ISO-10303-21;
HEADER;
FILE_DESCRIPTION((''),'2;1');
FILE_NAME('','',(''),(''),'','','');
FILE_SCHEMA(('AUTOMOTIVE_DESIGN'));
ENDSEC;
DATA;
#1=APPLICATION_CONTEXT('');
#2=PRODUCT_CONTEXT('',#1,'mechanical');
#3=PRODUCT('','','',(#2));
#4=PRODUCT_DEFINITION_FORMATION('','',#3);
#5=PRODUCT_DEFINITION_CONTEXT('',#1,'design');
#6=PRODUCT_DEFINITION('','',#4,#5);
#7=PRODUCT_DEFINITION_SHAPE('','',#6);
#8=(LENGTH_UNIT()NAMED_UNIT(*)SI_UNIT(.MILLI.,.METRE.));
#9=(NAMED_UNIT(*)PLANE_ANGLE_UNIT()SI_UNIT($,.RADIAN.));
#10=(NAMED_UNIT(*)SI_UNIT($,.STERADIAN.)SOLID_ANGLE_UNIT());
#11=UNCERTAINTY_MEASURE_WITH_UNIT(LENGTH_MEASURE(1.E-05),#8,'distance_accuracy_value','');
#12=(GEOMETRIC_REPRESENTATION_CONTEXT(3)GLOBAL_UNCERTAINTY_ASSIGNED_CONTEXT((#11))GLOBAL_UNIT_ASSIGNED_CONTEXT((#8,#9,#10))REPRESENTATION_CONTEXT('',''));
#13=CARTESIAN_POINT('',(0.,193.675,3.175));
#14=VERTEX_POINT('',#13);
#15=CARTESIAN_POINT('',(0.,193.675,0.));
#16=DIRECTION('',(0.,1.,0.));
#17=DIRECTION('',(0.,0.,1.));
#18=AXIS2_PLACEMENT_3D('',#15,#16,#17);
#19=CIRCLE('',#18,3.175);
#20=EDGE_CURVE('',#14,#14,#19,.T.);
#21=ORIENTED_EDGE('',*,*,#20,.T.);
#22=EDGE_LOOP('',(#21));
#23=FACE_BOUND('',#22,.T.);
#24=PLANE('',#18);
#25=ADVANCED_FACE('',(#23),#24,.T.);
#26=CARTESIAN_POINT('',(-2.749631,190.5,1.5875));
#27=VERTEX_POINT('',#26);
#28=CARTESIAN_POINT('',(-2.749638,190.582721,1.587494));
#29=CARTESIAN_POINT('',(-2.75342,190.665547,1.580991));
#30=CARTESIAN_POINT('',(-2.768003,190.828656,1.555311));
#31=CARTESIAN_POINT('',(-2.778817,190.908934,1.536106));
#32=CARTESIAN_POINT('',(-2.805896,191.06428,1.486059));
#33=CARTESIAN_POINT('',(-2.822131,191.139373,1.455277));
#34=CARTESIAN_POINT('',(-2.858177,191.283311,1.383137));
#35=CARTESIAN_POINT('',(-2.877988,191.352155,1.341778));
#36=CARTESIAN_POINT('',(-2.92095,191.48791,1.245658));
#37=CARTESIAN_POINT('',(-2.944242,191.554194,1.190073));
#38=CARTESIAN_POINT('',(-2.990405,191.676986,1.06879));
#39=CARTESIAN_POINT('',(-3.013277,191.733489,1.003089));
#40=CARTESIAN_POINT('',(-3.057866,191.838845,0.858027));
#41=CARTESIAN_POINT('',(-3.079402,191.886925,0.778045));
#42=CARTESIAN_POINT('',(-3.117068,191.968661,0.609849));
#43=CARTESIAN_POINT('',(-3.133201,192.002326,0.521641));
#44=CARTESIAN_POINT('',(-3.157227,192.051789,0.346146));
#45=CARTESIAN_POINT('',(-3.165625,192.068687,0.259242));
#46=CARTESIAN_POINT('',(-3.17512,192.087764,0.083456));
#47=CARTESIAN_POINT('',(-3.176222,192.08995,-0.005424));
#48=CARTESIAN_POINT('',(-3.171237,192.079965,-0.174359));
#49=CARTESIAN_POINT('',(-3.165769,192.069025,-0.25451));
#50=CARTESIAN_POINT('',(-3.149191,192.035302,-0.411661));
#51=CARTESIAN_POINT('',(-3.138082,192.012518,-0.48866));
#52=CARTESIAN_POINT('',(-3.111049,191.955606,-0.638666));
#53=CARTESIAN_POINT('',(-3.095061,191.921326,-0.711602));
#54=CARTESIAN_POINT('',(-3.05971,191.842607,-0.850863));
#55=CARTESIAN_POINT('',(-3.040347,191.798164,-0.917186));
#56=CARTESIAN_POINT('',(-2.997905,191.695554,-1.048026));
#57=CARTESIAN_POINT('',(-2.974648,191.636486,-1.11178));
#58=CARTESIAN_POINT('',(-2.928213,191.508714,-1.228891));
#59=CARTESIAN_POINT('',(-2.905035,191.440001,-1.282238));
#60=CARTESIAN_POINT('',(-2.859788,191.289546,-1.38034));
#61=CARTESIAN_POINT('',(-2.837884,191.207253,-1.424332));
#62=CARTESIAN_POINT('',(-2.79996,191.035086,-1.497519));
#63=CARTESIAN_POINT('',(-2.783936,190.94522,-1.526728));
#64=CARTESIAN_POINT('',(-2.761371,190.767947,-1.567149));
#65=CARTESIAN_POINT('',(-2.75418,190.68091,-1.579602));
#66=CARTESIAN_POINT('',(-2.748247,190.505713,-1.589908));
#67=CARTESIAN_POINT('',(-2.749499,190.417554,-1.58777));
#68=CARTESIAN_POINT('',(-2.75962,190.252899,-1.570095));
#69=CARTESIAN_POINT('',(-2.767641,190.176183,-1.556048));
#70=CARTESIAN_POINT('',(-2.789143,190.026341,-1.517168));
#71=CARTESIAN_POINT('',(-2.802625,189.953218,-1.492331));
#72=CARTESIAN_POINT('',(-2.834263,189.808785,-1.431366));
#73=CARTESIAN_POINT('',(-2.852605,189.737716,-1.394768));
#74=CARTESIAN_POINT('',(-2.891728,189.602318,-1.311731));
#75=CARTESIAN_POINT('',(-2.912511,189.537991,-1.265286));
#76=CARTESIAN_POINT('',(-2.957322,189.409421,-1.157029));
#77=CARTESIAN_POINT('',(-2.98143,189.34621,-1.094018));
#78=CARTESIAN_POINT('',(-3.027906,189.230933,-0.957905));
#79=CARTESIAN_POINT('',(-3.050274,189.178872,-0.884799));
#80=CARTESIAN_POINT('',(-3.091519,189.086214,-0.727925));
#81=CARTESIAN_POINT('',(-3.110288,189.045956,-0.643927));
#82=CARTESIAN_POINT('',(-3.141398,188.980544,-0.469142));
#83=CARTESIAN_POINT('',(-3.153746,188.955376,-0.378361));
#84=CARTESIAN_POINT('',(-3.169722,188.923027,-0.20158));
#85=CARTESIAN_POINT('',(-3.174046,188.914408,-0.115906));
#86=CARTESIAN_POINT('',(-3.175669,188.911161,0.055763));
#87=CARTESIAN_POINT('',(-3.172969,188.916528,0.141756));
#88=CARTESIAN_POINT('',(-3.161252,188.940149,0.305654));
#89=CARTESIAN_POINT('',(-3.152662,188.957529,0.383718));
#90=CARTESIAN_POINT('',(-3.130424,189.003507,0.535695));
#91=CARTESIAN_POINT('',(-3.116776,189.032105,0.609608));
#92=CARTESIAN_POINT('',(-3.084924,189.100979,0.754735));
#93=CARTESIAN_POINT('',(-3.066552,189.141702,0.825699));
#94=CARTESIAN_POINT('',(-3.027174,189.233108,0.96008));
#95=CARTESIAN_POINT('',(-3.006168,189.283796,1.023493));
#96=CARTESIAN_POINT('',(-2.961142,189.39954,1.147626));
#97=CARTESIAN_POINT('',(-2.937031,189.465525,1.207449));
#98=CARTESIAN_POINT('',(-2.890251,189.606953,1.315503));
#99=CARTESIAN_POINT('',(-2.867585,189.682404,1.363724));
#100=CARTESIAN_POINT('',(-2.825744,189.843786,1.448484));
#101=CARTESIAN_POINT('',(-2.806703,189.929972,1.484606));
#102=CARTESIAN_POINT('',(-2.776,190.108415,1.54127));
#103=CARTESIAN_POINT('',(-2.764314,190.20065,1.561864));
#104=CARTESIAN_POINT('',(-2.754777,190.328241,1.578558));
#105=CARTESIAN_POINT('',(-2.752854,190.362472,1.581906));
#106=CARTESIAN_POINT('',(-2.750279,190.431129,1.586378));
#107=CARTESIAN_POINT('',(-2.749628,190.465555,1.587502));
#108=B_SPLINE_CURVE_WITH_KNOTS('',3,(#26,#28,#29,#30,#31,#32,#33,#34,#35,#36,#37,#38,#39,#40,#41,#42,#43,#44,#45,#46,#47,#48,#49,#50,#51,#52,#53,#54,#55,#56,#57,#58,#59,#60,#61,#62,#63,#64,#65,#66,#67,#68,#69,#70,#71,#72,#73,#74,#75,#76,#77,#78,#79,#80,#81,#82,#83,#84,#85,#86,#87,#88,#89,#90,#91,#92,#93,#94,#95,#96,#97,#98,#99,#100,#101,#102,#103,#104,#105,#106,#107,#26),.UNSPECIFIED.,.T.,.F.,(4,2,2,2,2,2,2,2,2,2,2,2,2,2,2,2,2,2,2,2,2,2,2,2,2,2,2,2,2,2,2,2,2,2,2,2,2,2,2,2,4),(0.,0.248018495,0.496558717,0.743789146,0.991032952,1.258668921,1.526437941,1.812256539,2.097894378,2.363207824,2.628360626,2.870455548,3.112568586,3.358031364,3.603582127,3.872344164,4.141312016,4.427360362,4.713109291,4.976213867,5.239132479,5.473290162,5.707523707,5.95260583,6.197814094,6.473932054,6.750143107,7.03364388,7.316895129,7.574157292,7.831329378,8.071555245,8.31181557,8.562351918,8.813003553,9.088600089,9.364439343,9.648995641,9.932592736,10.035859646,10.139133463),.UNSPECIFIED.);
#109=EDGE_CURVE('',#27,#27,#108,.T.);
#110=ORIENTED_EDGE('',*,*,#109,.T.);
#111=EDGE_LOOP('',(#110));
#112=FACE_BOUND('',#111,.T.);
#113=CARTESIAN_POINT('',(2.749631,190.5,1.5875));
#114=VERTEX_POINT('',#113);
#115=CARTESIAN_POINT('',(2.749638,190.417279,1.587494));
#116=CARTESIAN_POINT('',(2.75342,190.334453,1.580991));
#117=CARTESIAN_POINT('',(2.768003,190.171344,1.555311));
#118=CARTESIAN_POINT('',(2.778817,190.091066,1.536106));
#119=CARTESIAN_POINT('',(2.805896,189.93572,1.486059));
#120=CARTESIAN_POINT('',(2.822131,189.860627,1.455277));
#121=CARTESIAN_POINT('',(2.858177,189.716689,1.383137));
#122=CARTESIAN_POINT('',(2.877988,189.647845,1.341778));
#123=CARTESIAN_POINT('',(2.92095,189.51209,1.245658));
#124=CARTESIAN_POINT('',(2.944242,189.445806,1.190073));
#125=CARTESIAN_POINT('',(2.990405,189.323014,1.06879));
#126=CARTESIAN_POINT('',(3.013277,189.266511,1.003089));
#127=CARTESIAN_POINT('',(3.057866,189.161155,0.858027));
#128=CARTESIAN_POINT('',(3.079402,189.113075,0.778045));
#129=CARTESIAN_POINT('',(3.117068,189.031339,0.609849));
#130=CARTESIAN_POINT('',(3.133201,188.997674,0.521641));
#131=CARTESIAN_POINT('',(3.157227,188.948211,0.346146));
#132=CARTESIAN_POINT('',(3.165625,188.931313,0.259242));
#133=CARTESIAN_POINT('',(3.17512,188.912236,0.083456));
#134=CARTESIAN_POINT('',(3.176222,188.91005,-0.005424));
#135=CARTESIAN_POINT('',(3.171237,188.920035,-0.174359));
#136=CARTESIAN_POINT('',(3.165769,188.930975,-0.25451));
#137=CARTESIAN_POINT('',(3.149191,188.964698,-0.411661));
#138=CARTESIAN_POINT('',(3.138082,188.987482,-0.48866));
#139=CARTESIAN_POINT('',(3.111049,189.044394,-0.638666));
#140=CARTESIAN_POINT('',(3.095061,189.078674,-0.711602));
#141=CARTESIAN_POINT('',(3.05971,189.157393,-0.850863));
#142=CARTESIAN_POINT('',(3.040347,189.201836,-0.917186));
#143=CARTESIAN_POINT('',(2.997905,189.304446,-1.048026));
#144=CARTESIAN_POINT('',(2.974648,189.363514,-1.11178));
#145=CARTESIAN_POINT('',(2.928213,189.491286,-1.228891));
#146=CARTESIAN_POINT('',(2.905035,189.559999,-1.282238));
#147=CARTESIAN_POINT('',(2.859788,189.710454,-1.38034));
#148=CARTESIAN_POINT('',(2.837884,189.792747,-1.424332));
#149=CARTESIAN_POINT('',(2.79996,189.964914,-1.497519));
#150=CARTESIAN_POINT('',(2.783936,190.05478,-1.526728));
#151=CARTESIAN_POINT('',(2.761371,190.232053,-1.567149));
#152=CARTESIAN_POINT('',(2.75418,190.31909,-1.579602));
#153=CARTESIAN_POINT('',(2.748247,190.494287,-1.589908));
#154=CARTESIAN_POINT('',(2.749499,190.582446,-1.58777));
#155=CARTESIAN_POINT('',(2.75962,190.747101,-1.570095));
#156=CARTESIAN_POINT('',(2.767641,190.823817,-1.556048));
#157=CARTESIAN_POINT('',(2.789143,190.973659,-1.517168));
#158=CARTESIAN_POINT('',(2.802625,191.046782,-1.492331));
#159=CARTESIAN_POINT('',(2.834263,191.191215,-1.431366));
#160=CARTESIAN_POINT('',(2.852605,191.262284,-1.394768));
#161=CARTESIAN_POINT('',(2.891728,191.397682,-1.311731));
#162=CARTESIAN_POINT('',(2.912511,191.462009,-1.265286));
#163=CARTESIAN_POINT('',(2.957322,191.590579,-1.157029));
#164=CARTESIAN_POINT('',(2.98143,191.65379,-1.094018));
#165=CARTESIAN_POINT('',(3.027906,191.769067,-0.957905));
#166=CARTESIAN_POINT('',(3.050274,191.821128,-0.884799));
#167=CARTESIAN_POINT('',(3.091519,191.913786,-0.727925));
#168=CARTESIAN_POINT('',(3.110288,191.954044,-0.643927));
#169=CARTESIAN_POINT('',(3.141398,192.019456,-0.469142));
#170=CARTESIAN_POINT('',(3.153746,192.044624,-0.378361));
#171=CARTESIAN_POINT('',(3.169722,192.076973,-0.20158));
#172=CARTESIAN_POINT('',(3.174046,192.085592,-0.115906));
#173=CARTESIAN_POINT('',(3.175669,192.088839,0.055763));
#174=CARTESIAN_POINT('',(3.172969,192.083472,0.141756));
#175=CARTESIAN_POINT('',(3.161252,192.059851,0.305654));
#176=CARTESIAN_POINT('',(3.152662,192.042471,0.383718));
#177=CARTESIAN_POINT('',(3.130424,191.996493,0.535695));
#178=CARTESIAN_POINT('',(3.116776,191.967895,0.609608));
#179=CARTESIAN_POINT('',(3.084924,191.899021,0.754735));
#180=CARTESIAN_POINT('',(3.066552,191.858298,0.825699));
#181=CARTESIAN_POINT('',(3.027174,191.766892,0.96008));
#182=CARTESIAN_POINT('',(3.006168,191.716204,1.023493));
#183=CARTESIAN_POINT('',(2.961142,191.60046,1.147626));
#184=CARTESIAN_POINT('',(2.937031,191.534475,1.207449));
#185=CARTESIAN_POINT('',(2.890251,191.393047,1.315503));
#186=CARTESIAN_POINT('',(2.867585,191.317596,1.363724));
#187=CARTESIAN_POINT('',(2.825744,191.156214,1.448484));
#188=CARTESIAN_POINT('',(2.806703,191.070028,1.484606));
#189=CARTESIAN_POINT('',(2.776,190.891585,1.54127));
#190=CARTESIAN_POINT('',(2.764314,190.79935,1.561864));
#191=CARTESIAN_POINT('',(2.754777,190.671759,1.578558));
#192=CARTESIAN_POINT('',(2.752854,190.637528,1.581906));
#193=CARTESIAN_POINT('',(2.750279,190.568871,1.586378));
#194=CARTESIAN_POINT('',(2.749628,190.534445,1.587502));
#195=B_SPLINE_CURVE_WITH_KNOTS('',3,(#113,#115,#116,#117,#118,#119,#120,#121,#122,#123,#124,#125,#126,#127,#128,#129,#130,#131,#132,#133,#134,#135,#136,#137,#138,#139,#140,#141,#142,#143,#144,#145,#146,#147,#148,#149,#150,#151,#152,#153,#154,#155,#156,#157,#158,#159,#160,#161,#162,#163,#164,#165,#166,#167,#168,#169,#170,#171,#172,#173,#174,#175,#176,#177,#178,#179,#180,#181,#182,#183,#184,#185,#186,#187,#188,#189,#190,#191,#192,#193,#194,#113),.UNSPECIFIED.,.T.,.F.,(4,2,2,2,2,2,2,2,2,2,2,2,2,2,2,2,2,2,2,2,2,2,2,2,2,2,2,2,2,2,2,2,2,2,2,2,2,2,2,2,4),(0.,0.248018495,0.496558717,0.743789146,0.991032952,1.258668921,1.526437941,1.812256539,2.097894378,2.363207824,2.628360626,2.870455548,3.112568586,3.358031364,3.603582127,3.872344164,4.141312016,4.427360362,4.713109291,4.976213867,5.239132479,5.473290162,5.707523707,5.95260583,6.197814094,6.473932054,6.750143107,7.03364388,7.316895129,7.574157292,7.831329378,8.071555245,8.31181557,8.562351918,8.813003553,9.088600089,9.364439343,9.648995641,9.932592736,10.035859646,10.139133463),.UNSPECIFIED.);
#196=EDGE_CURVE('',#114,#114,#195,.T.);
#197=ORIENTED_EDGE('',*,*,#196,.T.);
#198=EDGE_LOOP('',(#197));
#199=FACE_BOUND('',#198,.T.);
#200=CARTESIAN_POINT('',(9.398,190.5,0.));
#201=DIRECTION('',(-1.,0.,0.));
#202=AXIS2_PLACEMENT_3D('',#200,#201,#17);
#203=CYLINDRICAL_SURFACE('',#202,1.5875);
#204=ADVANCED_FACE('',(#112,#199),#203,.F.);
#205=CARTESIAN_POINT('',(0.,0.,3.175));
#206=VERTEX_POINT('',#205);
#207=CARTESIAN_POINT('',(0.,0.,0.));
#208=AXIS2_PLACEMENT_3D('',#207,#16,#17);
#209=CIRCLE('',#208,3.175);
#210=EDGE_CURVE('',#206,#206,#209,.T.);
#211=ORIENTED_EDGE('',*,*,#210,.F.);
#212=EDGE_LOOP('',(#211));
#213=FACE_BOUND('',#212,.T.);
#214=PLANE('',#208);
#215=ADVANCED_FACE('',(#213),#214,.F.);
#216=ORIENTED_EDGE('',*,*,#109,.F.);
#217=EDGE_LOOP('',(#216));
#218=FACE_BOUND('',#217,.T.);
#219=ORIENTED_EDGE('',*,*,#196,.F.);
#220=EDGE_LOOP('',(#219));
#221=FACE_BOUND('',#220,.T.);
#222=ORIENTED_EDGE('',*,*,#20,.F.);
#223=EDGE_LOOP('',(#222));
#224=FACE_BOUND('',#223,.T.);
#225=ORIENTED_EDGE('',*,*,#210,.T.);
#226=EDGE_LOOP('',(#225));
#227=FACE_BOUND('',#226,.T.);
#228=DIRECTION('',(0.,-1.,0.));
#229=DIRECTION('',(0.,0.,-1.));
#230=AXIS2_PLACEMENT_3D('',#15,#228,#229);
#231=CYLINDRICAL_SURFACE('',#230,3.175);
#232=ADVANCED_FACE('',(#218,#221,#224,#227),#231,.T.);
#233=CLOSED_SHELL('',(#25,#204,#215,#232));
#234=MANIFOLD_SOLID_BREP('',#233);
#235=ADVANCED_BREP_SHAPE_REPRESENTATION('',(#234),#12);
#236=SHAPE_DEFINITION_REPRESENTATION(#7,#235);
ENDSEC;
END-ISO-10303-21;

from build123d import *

# Parameters (mm, degrees)
SKETCH1_R               = 3.175
BOSS_EXTRUDE1_DEPTH     = 193.675
CUT_EXTRUDE1_DEPTH      = 9.398
CUT_EXTRUDE1_DEPTH_BACK = 9.652
SKETCH2_R               = 1.5875


with BuildPart() as part:
    # Sketch1 → Boss-Extrude1 (new body)
    with BuildSketch(Plane(origin=(0, 0, 0), x_dir=(1, 0, 0), z_dir=(0, 1, 0))):
        with Locations(Location((0, 0, 0), (0, 0, 270))):
            Circle(SKETCH1_R)
    extrude(amount=BOSS_EXTRUDE1_DEPTH)

    # Sketch2 → Cut-Extrude1 (cut, two sides: drawn at the far end of the back side and taken through both)
    with BuildSketch(Plane(origin=(0, 0, 0), x_dir=(0, 0, -1), z_dir=(1, 0, 0)).offset(-CUT_EXTRUDE1_DEPTH_BACK)):
        with Locations(Location((0, 190.5, 0), (0, 0, 180))):
            Circle(SKETCH2_R)
    extrude(amount=CUT_EXTRUDE1_DEPTH + CUT_EXTRUDE1_DEPTH_BACK, mode=Mode.SUBTRACT)


solid = part.part
